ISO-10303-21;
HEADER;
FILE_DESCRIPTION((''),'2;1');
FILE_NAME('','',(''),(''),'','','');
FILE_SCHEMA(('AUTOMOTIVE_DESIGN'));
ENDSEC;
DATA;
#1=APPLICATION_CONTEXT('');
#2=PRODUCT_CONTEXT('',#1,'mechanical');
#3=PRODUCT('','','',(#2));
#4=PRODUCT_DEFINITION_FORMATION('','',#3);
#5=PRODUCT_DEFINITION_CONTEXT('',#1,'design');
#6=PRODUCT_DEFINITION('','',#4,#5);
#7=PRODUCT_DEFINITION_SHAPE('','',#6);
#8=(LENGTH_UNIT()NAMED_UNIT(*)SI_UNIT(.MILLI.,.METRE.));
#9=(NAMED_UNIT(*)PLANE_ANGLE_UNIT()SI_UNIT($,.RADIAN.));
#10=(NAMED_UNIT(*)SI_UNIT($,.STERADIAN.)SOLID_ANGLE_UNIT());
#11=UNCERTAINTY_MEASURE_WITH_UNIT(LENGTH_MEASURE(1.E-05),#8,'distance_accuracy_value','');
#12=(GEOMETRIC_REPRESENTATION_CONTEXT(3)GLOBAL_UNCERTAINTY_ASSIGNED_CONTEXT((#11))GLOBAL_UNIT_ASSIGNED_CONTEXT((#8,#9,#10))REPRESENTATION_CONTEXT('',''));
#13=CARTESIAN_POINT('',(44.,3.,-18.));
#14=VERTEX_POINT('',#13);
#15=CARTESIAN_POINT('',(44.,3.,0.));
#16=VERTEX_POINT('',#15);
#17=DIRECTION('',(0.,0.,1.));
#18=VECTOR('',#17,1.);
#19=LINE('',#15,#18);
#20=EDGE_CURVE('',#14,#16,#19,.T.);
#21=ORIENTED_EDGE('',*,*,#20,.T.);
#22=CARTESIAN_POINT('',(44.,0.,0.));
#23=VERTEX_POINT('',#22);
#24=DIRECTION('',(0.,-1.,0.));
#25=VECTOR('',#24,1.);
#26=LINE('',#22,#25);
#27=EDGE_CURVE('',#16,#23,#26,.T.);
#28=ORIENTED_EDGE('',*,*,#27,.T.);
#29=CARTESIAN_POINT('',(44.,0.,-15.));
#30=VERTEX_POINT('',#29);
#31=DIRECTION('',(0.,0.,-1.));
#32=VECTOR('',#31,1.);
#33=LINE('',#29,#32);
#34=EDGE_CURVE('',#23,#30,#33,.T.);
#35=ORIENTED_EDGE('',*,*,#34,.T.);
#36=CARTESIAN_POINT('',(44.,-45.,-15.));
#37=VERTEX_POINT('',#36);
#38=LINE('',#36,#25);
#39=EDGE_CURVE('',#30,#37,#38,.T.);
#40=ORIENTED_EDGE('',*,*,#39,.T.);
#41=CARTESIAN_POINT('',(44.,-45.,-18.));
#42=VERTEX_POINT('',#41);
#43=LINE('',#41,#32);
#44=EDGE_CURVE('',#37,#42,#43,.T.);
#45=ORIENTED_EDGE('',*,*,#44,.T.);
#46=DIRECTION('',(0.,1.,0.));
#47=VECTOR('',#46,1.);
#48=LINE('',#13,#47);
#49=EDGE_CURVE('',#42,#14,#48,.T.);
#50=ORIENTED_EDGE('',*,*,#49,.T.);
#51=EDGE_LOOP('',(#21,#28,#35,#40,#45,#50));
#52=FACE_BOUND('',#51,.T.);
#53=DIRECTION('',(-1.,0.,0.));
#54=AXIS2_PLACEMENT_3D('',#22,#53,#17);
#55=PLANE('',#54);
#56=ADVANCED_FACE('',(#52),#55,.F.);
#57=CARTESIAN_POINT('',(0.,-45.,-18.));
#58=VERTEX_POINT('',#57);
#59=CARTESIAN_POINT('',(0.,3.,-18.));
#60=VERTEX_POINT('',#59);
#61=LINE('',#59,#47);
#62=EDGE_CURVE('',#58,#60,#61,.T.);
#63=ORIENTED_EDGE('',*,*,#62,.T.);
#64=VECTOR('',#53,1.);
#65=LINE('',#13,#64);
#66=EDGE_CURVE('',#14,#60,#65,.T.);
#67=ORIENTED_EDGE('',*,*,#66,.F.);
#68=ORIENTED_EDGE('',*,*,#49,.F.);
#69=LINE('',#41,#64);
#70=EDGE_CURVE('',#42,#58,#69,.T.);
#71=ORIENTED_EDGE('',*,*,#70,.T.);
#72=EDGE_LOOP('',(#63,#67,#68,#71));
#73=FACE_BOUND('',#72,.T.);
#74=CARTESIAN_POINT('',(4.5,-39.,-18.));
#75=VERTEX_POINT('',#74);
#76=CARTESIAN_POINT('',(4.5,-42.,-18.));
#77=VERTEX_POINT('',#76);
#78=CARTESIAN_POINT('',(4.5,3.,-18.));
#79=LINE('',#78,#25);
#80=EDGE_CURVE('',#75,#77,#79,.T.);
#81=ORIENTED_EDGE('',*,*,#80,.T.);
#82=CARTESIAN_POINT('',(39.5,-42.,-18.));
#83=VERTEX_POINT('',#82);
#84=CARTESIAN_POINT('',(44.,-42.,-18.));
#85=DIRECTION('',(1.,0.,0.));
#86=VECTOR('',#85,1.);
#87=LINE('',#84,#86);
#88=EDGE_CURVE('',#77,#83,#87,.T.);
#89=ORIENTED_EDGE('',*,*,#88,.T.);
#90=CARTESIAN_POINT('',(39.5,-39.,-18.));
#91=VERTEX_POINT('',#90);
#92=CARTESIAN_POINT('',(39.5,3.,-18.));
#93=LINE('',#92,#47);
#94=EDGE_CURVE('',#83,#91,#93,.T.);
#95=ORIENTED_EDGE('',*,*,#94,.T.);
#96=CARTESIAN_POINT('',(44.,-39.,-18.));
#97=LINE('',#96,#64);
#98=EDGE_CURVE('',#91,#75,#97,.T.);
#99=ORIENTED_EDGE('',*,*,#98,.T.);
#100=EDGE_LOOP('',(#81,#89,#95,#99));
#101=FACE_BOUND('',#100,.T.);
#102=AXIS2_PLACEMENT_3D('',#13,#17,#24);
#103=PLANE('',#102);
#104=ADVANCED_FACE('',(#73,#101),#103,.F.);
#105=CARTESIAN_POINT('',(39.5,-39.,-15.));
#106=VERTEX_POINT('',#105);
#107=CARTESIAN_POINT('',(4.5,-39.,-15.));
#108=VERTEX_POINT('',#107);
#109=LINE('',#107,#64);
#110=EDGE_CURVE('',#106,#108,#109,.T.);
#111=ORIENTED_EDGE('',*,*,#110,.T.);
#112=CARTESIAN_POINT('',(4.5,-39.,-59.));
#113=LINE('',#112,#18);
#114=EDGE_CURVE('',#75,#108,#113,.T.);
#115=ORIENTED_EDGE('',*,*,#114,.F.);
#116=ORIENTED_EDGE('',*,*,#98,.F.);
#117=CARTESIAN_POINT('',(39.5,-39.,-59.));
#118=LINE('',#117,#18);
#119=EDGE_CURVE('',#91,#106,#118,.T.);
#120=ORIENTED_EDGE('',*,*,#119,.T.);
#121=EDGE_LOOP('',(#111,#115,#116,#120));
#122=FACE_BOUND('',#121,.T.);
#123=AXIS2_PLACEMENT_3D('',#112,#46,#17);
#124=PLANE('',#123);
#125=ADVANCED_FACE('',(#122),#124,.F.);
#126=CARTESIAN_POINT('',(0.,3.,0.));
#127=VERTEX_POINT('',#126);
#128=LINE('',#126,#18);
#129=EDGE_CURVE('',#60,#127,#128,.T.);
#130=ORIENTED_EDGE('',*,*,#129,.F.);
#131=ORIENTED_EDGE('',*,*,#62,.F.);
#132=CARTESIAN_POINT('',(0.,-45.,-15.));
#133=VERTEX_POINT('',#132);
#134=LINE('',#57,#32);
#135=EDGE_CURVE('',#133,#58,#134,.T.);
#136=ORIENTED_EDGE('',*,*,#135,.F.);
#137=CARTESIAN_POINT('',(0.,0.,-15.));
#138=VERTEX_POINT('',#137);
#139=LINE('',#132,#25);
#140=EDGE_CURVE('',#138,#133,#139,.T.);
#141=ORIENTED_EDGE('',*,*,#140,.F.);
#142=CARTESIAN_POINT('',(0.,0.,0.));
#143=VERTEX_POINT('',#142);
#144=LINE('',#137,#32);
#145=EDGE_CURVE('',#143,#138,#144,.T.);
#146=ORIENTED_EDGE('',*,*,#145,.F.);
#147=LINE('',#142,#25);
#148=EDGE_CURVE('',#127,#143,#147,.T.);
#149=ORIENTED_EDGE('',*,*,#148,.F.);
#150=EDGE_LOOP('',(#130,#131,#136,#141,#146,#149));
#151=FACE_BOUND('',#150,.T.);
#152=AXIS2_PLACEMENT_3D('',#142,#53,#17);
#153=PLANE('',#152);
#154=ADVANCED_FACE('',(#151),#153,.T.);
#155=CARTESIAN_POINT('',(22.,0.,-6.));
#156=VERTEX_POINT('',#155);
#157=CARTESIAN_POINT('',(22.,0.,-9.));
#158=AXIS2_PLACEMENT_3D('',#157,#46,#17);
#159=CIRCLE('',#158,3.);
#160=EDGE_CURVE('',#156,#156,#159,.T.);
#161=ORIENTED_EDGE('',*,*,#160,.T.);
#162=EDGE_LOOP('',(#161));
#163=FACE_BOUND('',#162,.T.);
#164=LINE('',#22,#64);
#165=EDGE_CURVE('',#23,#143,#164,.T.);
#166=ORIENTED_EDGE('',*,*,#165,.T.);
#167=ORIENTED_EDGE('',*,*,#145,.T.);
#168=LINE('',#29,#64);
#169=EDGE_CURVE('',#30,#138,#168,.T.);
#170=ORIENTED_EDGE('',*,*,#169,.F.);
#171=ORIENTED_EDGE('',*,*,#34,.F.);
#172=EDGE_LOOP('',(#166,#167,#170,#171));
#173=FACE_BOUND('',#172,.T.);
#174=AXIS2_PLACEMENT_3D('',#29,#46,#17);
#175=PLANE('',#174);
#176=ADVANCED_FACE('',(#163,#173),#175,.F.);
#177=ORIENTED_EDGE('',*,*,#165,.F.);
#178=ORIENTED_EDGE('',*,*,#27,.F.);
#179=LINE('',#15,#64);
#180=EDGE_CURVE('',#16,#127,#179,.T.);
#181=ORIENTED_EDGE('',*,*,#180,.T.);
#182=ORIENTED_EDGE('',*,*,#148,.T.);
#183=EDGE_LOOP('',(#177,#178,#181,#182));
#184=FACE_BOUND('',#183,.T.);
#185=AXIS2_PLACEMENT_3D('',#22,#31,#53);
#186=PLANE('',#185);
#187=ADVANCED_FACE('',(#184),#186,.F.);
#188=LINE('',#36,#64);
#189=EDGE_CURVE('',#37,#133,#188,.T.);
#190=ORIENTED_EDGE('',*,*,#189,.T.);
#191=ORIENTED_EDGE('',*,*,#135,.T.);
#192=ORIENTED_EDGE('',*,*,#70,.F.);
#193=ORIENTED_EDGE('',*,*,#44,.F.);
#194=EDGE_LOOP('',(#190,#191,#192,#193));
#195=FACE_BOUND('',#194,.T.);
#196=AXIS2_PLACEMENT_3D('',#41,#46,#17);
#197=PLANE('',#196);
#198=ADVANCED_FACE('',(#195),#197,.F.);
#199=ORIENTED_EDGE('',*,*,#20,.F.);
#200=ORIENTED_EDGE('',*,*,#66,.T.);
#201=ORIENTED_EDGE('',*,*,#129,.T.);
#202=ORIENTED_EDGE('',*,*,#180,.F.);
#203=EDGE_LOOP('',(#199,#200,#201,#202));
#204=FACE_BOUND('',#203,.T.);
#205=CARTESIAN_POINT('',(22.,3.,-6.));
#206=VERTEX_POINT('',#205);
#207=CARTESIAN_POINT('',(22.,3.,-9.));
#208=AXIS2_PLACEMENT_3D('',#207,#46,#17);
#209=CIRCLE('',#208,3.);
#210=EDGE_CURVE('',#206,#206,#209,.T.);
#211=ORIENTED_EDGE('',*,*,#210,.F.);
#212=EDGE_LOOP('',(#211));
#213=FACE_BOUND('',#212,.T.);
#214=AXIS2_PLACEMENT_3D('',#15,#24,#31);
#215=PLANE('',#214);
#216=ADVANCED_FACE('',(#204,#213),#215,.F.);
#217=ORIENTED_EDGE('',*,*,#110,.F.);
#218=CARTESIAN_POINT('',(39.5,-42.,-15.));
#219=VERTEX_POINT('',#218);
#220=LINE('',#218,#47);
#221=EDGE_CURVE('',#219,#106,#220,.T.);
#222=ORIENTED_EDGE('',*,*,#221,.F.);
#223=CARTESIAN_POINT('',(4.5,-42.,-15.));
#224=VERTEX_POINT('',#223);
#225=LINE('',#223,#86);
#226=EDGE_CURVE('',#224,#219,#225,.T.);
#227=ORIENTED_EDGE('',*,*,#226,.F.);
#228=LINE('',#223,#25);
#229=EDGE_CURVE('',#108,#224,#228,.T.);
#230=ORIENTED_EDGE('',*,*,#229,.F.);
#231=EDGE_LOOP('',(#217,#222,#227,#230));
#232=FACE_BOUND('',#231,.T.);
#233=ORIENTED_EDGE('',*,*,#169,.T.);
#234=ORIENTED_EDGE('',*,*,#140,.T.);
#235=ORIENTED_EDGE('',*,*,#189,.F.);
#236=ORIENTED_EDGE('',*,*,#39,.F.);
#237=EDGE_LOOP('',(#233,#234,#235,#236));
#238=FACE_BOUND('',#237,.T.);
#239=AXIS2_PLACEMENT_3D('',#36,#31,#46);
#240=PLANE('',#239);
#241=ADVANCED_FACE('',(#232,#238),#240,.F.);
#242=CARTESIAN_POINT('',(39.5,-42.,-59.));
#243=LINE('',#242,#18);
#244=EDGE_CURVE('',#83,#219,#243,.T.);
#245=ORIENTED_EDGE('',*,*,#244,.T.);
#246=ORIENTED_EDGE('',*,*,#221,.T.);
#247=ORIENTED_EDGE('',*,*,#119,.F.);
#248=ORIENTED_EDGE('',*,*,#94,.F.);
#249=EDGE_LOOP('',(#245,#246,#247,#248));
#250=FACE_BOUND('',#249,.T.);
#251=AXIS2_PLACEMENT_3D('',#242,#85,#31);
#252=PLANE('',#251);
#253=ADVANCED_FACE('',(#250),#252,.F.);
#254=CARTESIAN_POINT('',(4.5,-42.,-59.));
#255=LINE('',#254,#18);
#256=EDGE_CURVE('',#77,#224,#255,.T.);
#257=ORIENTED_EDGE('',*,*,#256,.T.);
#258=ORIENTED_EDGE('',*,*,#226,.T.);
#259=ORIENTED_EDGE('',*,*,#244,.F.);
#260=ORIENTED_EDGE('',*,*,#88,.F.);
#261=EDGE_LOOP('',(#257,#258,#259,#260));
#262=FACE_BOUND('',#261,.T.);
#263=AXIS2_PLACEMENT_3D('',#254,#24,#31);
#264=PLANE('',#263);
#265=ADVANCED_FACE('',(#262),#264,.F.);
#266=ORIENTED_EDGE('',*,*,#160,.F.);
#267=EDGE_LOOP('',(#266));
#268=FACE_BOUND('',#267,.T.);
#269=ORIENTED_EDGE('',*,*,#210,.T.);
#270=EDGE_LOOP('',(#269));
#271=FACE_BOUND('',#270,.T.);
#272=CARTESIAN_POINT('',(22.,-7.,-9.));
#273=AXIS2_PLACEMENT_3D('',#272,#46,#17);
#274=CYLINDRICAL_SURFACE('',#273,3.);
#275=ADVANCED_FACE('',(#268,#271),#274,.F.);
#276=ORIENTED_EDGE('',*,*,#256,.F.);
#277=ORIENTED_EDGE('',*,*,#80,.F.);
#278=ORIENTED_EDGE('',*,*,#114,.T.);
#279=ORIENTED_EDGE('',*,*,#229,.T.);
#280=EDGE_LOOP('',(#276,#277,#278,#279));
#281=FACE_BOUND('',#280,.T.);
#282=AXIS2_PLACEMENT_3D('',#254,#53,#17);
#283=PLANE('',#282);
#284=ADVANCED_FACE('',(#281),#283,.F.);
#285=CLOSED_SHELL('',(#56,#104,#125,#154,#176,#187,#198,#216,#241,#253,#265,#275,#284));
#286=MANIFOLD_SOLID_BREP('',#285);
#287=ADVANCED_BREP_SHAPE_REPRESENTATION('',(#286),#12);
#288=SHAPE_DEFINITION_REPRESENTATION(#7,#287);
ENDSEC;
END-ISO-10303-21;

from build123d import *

# Parameters (mm, degrees)
ESTRUSIONE_ESTRUSIONE6_DEPTH = 44
SCHIZZO9_W                   = 35
SCHIZZO9_H                   = 3
TAGLIO_ESTRUSIONE2_DEPTH     = 44
SCHIZZO10_R                  = 3
TAGLIO_ESTRUSIONE3_DEPTH     = 10


with BuildPart() as part:
    # Schizzo8 → Estrusione-Estrusione6 (new body)
    with BuildSketch(Plane(origin=(0, 0, 0), x_dir=(0, 0, -1), z_dir=(1, 0, 0))):
        Polygon((0, 0), (0, 3), (18, 3), (18, -45), (15, -45), (15, 0), align=None)
    extrude(amount=ESTRUSIONE_ESTRUSIONE6_DEPTH)

    # Schizzo9 → Taglio-Estrusione2 (cut)
    with BuildSketch(Plane.XY.offset(-15)):
        with Locations((22, -40.5)):
            Rectangle(SCHIZZO9_W, SCHIZZO9_H)
    extrude(amount=-TAGLIO_ESTRUSIONE2_DEPTH, mode=Mode.SUBTRACT)

    # Schizzo10 → Taglio-Estrusione3 (cut)
    with BuildSketch(Plane(origin=(0, 3, 0), x_dir=(1, 0, 0), z_dir=(0, 1, 0))):
        with Locations((22, 9)):
            Circle(SCHIZZO10_R)
    extrude(amount=-TAGLIO_ESTRUSIONE3_DEPTH, mode=Mode.SUBTRACT)


solid = part.part
